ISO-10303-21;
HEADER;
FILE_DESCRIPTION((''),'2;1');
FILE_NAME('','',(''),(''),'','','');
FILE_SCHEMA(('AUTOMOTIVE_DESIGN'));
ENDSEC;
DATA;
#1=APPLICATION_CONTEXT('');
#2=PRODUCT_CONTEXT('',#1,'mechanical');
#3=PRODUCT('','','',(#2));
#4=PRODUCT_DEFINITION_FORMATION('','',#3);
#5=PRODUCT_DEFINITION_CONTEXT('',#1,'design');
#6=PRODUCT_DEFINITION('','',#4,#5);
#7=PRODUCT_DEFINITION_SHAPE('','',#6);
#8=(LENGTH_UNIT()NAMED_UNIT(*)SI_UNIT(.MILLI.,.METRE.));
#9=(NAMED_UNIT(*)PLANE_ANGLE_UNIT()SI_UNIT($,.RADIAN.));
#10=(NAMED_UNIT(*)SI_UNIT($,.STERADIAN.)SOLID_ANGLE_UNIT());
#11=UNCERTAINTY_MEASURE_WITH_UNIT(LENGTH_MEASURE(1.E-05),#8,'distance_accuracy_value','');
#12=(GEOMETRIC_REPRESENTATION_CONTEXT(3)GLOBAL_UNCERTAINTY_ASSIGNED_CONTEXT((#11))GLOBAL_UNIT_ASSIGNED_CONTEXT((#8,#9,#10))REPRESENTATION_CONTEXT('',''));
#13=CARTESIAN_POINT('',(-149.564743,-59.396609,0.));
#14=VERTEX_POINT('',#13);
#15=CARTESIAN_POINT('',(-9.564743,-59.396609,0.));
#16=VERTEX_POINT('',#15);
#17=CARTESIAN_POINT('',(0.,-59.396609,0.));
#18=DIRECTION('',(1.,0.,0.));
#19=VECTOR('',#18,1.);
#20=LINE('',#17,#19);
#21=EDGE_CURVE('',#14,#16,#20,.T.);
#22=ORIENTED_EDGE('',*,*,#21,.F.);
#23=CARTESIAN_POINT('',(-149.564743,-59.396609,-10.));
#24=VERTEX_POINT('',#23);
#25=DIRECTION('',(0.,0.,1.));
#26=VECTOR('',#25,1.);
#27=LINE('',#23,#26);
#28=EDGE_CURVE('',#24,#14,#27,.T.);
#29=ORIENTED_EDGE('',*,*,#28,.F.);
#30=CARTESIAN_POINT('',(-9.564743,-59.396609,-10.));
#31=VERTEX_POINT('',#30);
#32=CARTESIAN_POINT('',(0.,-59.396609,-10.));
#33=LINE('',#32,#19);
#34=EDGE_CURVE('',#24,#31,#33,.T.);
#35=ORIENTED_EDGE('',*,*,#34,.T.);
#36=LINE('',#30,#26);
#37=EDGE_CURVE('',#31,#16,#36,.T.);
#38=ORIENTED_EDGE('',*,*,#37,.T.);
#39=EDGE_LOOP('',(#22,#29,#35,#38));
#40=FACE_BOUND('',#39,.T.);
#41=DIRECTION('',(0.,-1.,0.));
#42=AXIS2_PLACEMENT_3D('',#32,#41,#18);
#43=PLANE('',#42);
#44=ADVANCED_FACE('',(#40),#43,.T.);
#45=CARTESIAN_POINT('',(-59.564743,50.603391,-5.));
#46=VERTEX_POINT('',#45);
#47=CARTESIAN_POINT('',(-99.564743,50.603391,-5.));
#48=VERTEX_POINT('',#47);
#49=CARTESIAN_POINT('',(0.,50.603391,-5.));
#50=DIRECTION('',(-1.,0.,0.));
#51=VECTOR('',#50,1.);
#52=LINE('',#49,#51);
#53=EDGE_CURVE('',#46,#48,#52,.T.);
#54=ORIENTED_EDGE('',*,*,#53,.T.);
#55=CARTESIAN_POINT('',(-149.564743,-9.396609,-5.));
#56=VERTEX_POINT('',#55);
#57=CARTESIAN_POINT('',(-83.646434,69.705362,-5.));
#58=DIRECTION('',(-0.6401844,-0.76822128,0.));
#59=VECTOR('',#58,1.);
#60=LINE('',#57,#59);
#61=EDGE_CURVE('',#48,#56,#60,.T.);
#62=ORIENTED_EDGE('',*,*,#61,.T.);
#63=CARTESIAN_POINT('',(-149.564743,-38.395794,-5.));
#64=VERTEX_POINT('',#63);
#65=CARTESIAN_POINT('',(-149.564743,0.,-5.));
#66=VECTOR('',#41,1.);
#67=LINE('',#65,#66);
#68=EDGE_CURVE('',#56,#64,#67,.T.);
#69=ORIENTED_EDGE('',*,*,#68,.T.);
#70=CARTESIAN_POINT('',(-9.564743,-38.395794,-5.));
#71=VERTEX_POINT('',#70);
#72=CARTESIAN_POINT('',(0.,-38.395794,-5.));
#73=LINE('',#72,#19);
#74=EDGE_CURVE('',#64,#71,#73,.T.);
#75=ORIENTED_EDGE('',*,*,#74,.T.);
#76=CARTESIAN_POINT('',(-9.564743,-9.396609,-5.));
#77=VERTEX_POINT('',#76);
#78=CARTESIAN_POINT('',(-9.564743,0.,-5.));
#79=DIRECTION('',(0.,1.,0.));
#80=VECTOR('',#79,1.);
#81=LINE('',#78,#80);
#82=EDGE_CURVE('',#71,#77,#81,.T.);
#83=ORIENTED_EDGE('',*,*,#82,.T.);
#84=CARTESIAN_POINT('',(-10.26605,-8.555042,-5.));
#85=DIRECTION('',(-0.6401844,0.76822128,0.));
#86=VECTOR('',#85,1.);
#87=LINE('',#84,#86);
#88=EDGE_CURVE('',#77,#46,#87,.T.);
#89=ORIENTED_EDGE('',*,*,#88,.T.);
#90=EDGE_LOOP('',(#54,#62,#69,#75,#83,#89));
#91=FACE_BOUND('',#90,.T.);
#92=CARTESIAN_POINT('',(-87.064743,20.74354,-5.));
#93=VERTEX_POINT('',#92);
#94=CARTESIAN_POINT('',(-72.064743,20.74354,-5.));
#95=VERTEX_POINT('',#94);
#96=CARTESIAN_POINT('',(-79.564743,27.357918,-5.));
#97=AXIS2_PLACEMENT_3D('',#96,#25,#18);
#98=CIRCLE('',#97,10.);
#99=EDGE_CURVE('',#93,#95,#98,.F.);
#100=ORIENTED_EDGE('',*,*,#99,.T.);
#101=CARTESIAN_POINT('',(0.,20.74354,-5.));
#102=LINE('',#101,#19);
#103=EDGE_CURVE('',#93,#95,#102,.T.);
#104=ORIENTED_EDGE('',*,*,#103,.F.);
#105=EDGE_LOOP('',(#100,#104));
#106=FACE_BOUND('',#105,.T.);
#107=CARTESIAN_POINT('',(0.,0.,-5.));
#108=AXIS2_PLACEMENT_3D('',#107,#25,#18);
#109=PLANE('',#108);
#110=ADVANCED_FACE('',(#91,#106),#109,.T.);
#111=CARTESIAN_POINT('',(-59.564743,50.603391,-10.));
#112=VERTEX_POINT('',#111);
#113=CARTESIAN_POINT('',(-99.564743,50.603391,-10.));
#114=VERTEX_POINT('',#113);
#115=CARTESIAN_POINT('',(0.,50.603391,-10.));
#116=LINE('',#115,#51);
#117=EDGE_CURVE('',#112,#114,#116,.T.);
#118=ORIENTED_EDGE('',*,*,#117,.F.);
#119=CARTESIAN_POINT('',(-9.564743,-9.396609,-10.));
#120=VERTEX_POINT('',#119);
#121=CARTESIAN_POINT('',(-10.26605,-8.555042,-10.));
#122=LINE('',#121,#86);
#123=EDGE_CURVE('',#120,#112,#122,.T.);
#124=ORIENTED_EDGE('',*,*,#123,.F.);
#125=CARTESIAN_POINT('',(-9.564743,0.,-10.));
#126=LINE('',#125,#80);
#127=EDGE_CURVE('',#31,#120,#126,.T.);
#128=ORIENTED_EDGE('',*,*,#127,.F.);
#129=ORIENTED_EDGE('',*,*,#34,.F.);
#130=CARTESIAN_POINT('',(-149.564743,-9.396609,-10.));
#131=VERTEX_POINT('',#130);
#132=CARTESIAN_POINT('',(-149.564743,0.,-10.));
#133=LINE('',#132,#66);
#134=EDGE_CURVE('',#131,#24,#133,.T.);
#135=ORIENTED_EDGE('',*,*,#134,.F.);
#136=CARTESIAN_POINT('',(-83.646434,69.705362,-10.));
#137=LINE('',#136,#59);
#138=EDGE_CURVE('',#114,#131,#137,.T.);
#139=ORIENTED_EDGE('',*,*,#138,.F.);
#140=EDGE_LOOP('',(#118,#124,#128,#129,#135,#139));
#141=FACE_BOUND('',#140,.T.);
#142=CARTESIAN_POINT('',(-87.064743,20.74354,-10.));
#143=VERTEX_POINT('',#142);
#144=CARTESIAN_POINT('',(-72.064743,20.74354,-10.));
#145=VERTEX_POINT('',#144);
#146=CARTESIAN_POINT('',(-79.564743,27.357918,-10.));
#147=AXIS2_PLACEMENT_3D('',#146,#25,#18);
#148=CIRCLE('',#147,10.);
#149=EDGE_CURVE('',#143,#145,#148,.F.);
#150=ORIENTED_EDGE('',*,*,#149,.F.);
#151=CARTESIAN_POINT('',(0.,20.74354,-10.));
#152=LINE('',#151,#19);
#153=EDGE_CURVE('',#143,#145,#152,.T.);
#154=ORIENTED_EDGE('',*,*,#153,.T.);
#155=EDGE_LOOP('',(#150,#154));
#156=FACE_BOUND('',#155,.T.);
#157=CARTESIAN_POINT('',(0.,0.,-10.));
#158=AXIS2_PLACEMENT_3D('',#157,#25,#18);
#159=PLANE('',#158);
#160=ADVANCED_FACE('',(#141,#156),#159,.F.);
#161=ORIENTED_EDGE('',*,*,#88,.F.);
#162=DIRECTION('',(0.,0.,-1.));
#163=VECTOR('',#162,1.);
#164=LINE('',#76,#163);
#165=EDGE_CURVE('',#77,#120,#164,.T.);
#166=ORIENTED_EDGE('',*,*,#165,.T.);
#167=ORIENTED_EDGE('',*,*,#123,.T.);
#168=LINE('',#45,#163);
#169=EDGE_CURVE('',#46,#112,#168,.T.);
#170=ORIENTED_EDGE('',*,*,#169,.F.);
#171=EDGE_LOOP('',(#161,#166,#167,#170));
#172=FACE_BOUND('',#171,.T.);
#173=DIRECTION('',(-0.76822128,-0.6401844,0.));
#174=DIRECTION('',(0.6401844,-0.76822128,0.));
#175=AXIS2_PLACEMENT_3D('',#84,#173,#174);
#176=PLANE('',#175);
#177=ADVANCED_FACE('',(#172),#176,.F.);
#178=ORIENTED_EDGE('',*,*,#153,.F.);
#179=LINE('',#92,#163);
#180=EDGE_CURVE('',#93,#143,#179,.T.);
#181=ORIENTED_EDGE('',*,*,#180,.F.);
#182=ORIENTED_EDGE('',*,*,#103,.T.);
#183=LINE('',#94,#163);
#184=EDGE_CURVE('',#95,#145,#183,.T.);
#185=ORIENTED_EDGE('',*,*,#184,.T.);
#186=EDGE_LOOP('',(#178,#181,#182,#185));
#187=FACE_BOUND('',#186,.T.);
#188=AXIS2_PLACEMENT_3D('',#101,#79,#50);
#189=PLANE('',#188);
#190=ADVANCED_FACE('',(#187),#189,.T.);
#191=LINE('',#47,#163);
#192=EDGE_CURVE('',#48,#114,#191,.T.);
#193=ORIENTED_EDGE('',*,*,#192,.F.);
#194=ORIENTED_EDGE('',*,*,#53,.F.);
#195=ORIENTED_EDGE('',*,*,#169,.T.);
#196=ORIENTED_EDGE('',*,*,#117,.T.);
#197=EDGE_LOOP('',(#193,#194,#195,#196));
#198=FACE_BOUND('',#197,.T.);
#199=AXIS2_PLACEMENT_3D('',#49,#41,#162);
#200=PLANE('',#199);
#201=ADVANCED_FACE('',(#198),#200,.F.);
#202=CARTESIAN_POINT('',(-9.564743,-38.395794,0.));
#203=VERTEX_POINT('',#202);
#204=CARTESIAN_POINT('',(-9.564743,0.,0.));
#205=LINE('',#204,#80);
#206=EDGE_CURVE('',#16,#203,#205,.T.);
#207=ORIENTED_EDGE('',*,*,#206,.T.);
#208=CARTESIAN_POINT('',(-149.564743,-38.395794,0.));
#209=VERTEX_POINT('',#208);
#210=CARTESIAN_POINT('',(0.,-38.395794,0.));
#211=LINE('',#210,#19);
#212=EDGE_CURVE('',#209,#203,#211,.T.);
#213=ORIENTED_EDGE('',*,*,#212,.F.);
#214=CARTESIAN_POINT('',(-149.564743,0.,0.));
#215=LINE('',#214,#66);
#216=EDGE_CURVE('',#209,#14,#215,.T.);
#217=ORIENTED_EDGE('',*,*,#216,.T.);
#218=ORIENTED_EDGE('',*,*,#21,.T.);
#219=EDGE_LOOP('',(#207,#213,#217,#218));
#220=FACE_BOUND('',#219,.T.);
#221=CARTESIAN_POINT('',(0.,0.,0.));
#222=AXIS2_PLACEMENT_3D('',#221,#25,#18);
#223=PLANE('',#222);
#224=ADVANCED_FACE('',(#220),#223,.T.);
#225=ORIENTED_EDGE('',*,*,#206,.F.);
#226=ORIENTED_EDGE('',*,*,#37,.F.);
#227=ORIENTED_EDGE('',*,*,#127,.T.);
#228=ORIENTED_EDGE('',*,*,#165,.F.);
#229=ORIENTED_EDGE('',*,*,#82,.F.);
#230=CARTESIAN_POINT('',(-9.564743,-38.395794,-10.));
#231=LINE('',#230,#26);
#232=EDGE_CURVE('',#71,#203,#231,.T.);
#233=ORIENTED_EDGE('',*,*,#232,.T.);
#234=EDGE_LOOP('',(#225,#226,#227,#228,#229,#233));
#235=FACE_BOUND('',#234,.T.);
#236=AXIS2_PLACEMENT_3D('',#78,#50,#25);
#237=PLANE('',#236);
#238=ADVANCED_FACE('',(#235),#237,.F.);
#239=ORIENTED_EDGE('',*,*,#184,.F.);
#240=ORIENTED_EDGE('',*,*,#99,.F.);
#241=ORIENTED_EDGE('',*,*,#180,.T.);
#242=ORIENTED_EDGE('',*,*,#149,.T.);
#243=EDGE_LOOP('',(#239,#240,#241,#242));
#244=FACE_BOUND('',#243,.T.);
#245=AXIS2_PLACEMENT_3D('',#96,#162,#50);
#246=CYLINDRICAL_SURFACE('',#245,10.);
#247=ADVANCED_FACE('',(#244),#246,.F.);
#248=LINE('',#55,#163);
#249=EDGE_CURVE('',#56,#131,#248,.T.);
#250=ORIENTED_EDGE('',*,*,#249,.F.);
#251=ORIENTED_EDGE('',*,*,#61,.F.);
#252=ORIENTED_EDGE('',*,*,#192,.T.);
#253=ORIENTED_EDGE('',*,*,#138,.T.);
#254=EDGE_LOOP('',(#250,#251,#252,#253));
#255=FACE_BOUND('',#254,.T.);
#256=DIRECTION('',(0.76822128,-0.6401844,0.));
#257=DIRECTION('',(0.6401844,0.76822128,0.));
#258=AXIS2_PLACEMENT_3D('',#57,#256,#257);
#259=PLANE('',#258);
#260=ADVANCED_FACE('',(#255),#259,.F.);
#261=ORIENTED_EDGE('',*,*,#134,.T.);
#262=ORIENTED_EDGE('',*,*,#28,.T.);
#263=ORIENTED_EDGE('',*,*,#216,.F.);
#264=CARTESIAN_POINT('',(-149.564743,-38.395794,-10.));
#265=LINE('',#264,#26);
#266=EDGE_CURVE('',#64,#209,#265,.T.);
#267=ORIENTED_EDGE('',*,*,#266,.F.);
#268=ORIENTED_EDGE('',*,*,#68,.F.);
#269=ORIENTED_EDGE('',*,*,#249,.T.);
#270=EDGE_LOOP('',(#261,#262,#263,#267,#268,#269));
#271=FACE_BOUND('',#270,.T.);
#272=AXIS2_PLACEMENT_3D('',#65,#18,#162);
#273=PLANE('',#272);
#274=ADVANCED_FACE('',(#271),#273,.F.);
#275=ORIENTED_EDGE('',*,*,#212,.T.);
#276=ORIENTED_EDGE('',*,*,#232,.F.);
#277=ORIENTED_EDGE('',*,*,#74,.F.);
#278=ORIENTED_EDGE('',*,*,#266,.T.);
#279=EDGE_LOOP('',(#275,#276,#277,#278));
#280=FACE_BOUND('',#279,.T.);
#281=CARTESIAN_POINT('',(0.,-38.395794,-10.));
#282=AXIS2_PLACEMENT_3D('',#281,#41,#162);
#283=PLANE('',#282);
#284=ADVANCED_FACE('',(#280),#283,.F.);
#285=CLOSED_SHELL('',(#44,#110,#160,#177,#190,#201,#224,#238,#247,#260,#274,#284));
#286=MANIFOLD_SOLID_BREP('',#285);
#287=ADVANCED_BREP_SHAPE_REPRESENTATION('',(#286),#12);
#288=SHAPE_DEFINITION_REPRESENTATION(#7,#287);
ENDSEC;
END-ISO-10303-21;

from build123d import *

# Parameters (mm, degrees)
BOSS_EXTRUDE1_START = -10
BOSS_EXTRUDE1_DEPTH = 5
SKETCH1_3_W         = 140
SKETCH1_3_H         = 21.000815728
BOSS_EXTRUDE2_DEPTH = 10


with BuildPart() as part:
    # Sketch1 → Boss-Extrude1 (new body)
    with BuildSketch(Plane.XY.offset(BOSS_EXTRUDE1_START)):
        Polygon((-149.564743262, -9.396609427), (-149.564743262, -38.395793699), (-9.564743262, -38.395793699), (-9.564743262, -9.396609427), (-59.564743262, 50.603390573), (-99.564743262, 50.603390573), align=None)
        with BuildLine():
            Line((-72.064743262, 20.743540142), (-87.064743262, 20.743540142))
            ThreePointArc((-87.064743262, 20.743540142), (-79.564743262, 37.357918419), (-72.064743262, 20.743540142))
        make_face(mode=Mode.SUBTRACT)
    extrude(amount=BOSS_EXTRUDE1_DEPTH)

    # Sketch1<3> → Boss-Extrude2 (add)
    with BuildSketch(Plane.XY):
        with Locations((-79.564743262, -48.896201563)):
            Rectangle(SKETCH1_3_W, SKETCH1_3_H)
    extrude(amount=-BOSS_EXTRUDE2_DEPTH)


solid = part.part
